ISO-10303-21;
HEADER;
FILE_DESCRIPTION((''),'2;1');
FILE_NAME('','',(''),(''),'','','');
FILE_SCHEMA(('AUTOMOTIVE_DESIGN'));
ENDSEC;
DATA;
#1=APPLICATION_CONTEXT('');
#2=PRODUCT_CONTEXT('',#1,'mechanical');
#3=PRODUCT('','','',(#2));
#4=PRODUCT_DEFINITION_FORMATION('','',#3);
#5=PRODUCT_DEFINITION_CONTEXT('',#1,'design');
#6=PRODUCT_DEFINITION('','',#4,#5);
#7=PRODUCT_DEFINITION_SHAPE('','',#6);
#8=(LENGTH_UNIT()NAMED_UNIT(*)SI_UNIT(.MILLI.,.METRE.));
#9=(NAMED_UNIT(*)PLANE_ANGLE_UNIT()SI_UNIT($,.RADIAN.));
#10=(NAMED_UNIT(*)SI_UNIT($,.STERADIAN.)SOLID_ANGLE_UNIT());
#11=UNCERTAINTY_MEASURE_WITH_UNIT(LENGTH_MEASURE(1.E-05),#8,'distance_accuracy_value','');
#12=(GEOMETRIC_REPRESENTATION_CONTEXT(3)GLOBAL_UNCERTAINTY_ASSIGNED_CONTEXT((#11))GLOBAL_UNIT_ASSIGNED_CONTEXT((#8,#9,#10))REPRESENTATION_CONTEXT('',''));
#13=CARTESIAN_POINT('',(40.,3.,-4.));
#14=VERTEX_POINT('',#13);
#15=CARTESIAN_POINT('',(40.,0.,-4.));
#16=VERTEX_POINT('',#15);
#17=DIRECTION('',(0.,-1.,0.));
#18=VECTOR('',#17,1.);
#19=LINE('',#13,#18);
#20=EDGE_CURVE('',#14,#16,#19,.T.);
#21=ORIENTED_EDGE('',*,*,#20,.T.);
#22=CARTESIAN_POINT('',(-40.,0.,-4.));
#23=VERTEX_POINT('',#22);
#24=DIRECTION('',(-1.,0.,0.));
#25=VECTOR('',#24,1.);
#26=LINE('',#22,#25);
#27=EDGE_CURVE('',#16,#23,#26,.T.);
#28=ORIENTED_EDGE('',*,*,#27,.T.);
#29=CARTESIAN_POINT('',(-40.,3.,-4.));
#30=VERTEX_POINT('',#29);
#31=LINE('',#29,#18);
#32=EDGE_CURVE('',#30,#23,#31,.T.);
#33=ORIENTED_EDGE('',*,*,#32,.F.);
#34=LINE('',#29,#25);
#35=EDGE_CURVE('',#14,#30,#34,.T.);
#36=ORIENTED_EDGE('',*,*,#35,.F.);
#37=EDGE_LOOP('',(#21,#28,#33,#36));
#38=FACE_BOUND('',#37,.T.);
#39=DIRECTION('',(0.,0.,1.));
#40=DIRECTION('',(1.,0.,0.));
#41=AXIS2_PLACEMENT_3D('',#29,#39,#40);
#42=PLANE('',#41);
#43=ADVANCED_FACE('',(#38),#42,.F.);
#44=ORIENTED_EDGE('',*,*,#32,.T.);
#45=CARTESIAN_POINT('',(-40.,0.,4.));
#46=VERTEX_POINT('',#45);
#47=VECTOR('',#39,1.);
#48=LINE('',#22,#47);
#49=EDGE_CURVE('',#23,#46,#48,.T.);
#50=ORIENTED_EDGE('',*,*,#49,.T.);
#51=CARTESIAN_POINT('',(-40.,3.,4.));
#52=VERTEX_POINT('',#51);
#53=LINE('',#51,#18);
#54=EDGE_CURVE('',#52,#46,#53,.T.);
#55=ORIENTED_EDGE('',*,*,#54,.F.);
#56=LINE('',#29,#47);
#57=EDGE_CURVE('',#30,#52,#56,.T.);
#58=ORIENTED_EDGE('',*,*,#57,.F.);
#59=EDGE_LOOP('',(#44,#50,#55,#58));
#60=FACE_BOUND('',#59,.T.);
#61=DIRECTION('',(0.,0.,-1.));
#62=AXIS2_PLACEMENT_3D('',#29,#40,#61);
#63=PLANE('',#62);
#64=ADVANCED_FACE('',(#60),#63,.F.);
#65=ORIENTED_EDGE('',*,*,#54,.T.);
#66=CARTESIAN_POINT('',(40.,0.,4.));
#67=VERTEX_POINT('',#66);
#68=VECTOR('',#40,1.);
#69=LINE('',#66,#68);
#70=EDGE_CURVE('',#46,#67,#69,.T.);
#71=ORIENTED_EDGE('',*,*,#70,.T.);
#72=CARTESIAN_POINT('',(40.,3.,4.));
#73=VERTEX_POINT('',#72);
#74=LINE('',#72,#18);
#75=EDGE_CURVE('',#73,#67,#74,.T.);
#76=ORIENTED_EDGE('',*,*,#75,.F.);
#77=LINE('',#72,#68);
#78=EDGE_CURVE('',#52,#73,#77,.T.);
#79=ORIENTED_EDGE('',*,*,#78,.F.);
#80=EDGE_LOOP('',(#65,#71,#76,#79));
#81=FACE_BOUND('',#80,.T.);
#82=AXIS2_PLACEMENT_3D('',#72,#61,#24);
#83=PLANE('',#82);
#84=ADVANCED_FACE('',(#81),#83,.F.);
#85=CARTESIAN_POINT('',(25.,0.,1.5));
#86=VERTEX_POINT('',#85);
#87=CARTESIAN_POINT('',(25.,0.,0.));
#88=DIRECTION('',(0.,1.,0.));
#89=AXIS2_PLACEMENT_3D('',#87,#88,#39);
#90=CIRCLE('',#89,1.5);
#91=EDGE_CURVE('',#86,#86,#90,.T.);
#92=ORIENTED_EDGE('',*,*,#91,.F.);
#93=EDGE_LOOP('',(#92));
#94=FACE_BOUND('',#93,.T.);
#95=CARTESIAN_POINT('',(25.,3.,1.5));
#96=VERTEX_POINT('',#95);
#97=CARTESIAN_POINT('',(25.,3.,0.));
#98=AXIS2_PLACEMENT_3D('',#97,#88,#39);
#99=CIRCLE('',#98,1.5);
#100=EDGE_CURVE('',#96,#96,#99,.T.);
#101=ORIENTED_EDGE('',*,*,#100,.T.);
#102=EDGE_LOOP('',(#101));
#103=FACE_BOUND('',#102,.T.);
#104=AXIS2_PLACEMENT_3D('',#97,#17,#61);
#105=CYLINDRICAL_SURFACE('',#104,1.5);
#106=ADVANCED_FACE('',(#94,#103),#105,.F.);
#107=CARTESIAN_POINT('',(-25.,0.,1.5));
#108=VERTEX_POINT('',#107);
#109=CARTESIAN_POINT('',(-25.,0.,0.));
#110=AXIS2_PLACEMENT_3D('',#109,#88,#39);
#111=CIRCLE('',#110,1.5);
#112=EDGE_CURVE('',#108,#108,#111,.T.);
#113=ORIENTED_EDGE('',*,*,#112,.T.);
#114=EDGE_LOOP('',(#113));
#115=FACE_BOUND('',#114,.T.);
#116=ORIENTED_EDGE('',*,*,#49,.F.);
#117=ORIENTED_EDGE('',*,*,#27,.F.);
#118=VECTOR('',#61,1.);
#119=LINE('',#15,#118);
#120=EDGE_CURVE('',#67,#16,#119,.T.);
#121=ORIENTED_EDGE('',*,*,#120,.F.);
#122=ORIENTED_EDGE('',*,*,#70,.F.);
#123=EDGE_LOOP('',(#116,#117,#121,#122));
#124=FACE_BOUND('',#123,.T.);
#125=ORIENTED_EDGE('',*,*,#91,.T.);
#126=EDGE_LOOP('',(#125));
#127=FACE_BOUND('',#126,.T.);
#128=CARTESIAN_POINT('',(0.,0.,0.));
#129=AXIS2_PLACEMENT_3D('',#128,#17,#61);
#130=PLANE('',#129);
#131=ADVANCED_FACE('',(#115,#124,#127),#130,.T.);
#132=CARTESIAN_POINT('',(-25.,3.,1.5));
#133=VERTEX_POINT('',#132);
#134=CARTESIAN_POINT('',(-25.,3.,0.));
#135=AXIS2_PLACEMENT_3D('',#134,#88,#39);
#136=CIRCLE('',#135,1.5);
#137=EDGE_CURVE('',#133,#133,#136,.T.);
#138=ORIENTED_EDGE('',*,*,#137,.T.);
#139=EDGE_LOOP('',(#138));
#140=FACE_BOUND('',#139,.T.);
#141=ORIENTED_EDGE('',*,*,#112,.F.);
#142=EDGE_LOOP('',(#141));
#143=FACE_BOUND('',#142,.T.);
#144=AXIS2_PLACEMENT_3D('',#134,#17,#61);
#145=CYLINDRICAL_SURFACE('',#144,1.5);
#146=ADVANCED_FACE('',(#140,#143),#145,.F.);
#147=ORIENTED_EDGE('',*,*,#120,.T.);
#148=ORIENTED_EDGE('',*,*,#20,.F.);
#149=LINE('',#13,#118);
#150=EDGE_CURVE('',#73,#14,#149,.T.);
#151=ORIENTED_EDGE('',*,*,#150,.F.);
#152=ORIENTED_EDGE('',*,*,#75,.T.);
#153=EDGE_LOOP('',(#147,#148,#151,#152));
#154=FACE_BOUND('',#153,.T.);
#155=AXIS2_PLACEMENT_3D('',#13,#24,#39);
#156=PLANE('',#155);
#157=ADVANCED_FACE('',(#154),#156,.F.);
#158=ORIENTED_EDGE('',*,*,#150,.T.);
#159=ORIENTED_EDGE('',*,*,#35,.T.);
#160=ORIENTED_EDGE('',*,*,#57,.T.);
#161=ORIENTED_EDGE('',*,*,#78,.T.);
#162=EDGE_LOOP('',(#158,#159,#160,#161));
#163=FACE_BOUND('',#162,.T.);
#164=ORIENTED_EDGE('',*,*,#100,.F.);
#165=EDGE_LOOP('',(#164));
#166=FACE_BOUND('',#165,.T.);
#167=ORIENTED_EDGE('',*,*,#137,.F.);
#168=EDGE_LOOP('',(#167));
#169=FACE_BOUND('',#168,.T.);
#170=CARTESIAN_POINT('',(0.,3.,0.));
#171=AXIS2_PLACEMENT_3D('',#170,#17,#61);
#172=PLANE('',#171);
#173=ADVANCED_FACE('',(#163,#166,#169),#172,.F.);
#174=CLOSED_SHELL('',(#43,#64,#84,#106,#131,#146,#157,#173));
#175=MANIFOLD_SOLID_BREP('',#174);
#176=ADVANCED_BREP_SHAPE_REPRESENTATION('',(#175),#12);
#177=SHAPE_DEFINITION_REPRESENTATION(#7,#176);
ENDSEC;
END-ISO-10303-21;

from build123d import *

# Parameters (mm, degrees)
CROQUIS1_W              = 80
CROQUIS1_H              = 8
CROQUIS1_R              = 1.5
SALIENTE_EXTRUIR1_DEPTH = 3


with BuildPart() as part:
    # Croquis1 → Saliente-Extruir1 (new body)
    with BuildSketch(Plane(origin=(0, 0, 0), x_dir=(1, 0, 0), z_dir=(0, 1, 0))):
        Rectangle(CROQUIS1_W, CROQUIS1_H)
        with Locations(Location((25, 0, 0), (0, 0, 270))):
            Circle(CROQUIS1_R, mode=Mode.SUBTRACT)
        with Locations(Location((-25, 0, 0), (0, 0, 270))):
            Circle(CROQUIS1_R, mode=Mode.SUBTRACT)
    extrude(amount=SALIENTE_EXTRUIR1_DEPTH)


solid = part.part
